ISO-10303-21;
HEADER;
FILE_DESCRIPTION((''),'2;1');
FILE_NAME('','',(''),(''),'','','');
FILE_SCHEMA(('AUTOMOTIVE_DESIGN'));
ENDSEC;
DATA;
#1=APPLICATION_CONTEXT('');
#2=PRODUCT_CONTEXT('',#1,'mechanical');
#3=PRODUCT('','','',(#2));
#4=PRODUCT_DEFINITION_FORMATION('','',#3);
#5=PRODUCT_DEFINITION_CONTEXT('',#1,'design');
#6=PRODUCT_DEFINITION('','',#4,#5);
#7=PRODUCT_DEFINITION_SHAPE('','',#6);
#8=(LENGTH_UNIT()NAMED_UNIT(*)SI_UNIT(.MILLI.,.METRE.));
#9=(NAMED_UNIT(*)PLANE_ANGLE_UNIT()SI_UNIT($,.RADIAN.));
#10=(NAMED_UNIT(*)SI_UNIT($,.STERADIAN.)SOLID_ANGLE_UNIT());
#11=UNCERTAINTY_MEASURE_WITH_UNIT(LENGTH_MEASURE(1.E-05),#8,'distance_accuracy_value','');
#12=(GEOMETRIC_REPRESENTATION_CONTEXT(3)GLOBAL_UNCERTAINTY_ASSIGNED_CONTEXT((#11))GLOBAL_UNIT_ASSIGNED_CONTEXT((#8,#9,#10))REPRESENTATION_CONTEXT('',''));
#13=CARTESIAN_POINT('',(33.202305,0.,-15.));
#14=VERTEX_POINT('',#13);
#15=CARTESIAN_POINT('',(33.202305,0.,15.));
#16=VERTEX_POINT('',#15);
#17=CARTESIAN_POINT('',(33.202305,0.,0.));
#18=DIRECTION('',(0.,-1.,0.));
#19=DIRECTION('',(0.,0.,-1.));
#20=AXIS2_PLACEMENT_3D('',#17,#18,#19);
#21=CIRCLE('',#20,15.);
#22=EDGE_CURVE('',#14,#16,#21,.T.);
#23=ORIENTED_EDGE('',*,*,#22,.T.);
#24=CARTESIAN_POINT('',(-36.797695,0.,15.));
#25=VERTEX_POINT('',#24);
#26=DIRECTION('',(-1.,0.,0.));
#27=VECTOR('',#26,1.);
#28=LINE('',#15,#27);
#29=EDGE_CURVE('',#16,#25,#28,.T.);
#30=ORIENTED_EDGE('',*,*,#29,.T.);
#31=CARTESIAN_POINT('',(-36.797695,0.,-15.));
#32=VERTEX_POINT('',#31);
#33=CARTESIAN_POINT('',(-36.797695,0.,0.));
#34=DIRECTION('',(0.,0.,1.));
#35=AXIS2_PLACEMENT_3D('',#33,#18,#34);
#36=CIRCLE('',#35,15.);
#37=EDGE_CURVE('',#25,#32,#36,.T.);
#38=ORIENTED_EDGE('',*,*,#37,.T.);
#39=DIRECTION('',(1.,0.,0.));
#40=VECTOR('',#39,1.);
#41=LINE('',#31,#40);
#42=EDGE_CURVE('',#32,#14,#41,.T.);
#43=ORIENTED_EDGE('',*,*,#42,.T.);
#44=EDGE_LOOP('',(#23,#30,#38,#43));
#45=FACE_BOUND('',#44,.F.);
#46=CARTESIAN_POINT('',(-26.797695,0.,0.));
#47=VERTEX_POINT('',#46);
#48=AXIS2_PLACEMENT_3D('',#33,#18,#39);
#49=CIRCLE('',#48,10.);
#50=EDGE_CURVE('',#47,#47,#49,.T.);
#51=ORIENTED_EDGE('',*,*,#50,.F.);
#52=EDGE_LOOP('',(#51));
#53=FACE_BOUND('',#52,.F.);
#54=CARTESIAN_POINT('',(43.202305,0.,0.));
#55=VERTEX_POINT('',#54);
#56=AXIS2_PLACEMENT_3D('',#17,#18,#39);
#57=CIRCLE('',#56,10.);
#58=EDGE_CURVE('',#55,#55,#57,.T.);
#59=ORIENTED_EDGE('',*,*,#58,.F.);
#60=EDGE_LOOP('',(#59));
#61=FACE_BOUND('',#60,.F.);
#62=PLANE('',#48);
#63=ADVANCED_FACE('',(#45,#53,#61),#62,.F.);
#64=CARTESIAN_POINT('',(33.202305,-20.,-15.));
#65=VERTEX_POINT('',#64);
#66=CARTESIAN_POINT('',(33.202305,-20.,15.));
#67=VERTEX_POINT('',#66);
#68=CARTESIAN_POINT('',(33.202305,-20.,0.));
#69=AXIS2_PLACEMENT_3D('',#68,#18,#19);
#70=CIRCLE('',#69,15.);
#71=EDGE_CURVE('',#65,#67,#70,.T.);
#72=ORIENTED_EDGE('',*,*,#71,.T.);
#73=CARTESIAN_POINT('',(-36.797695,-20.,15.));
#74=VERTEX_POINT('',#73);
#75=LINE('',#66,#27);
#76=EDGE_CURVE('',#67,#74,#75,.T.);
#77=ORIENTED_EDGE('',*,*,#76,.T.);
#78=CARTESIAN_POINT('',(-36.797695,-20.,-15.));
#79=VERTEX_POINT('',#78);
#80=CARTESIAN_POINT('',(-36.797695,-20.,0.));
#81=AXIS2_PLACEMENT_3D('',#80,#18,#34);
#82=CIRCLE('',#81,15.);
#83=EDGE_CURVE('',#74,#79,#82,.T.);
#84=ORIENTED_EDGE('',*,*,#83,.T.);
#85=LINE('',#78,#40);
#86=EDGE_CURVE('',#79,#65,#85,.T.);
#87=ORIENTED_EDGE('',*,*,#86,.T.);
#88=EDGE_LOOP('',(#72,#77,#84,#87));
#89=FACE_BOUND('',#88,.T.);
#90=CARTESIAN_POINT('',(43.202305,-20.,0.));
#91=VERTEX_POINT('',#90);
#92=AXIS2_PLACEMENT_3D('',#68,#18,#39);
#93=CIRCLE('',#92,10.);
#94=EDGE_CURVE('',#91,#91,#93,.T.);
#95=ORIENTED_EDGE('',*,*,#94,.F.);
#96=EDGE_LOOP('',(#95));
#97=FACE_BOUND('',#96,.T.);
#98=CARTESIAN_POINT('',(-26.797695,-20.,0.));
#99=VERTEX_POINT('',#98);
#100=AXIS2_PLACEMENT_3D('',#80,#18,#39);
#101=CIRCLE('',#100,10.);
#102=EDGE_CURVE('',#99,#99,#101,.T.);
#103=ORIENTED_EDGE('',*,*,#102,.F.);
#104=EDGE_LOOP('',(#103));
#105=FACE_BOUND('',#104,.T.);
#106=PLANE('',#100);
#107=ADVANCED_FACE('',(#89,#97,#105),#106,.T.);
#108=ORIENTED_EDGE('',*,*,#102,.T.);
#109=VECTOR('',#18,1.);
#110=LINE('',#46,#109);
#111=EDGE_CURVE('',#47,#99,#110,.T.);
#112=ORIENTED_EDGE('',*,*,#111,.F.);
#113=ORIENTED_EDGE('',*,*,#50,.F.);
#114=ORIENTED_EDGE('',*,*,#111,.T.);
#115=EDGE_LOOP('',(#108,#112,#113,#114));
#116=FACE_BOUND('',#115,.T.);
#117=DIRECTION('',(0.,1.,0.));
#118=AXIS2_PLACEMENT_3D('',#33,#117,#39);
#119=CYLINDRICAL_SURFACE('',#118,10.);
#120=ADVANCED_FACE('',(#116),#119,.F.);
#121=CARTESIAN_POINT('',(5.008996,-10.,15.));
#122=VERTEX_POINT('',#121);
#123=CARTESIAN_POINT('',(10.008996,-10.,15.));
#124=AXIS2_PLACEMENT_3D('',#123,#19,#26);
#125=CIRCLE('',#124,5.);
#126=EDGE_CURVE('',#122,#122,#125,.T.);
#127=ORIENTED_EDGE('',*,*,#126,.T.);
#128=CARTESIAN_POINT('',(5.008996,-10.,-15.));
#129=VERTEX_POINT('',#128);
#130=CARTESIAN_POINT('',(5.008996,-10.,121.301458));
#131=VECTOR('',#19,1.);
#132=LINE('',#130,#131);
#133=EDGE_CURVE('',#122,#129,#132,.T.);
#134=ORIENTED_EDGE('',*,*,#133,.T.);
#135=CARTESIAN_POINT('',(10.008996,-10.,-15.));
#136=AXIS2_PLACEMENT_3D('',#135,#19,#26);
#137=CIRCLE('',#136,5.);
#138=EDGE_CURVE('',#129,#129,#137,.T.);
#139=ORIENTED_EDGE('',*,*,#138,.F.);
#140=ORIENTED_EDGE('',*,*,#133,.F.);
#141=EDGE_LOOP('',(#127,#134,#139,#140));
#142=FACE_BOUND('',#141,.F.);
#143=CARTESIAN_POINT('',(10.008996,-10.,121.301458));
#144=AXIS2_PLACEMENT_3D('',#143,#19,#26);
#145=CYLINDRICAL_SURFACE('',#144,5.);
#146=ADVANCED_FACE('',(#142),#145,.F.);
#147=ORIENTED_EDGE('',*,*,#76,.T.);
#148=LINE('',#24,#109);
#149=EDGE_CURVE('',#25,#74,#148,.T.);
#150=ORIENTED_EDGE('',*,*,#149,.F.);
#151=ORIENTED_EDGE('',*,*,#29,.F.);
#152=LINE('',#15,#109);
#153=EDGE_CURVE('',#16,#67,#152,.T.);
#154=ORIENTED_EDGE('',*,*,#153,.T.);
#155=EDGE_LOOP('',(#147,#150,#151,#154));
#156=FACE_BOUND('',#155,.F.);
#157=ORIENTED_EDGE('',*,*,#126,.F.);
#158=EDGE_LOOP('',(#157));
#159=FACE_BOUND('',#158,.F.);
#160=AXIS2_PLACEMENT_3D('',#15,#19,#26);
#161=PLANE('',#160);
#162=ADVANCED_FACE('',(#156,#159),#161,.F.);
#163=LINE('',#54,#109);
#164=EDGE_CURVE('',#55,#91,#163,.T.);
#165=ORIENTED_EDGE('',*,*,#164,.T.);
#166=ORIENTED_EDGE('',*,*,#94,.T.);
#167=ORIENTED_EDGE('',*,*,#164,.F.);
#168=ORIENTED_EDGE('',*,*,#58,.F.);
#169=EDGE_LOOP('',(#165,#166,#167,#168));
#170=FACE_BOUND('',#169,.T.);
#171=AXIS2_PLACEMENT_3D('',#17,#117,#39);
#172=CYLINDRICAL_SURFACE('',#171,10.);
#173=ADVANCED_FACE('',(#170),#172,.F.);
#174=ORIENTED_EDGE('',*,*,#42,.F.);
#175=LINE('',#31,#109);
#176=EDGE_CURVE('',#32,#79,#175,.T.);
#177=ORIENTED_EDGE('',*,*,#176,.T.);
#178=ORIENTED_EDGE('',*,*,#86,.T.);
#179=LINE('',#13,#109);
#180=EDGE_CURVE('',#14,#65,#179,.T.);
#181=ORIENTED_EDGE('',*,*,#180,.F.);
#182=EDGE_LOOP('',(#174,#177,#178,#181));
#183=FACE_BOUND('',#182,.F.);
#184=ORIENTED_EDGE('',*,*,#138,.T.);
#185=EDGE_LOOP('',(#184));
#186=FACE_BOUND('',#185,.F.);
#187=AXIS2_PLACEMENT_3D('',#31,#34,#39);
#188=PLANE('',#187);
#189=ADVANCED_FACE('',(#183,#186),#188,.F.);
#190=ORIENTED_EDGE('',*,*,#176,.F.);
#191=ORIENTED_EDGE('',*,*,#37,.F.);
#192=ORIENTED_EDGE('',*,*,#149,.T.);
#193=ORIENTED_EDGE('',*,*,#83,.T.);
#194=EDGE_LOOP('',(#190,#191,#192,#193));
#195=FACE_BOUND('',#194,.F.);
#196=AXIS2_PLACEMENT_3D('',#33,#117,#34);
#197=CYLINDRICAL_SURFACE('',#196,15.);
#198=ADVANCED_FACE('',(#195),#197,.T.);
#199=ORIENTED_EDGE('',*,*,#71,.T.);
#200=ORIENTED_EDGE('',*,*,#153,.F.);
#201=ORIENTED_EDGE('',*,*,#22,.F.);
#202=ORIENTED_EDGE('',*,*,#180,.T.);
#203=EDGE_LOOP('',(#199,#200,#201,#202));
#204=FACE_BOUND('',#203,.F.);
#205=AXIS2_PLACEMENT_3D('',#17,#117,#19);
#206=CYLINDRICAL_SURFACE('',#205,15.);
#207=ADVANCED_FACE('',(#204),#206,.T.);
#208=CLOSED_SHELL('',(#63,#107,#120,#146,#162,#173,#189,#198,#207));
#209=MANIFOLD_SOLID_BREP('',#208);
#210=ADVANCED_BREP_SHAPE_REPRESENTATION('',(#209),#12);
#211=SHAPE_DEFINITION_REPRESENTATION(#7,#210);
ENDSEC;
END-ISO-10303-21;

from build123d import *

# Parameters (mm, degrees)
F0_R     = 10
F1_DEPTH = 20
F3_D     = 10


with BuildPart() as f1:
    # F0 (on Front) → F1 (new body)
    with BuildSketch(Plane.XZ):
        with Locations((-36.797695, 0)):
            Circle(F0_R)
        with BuildLine():
            Line((33.202305, 15), (-36.797695, 15))
            ThreePointArc((-36.797695, 15), (-51.797695, 0), (-36.797695, -15))
            Line((-36.797695, -15), (33.202305, -15))
            ThreePointArc((33.202305, -15), (48.202305, 0), (33.202305, 15))
        make_face()
        with Locations((-36.797695, 0)):
            Circle(F0_R, mode=Mode.SUBTRACT)
        with Locations((33.202305, 0)):
            Circle(F0_R, mode=Mode.SUBTRACT)
    extrude(amount=F1_DEPTH)

    # F3 (through all)
    with Locations(Plane.XY.offset(15)):
        with Locations((10.008996, -10)):
            Hole(F3_D / 2)


solid = f1.part
